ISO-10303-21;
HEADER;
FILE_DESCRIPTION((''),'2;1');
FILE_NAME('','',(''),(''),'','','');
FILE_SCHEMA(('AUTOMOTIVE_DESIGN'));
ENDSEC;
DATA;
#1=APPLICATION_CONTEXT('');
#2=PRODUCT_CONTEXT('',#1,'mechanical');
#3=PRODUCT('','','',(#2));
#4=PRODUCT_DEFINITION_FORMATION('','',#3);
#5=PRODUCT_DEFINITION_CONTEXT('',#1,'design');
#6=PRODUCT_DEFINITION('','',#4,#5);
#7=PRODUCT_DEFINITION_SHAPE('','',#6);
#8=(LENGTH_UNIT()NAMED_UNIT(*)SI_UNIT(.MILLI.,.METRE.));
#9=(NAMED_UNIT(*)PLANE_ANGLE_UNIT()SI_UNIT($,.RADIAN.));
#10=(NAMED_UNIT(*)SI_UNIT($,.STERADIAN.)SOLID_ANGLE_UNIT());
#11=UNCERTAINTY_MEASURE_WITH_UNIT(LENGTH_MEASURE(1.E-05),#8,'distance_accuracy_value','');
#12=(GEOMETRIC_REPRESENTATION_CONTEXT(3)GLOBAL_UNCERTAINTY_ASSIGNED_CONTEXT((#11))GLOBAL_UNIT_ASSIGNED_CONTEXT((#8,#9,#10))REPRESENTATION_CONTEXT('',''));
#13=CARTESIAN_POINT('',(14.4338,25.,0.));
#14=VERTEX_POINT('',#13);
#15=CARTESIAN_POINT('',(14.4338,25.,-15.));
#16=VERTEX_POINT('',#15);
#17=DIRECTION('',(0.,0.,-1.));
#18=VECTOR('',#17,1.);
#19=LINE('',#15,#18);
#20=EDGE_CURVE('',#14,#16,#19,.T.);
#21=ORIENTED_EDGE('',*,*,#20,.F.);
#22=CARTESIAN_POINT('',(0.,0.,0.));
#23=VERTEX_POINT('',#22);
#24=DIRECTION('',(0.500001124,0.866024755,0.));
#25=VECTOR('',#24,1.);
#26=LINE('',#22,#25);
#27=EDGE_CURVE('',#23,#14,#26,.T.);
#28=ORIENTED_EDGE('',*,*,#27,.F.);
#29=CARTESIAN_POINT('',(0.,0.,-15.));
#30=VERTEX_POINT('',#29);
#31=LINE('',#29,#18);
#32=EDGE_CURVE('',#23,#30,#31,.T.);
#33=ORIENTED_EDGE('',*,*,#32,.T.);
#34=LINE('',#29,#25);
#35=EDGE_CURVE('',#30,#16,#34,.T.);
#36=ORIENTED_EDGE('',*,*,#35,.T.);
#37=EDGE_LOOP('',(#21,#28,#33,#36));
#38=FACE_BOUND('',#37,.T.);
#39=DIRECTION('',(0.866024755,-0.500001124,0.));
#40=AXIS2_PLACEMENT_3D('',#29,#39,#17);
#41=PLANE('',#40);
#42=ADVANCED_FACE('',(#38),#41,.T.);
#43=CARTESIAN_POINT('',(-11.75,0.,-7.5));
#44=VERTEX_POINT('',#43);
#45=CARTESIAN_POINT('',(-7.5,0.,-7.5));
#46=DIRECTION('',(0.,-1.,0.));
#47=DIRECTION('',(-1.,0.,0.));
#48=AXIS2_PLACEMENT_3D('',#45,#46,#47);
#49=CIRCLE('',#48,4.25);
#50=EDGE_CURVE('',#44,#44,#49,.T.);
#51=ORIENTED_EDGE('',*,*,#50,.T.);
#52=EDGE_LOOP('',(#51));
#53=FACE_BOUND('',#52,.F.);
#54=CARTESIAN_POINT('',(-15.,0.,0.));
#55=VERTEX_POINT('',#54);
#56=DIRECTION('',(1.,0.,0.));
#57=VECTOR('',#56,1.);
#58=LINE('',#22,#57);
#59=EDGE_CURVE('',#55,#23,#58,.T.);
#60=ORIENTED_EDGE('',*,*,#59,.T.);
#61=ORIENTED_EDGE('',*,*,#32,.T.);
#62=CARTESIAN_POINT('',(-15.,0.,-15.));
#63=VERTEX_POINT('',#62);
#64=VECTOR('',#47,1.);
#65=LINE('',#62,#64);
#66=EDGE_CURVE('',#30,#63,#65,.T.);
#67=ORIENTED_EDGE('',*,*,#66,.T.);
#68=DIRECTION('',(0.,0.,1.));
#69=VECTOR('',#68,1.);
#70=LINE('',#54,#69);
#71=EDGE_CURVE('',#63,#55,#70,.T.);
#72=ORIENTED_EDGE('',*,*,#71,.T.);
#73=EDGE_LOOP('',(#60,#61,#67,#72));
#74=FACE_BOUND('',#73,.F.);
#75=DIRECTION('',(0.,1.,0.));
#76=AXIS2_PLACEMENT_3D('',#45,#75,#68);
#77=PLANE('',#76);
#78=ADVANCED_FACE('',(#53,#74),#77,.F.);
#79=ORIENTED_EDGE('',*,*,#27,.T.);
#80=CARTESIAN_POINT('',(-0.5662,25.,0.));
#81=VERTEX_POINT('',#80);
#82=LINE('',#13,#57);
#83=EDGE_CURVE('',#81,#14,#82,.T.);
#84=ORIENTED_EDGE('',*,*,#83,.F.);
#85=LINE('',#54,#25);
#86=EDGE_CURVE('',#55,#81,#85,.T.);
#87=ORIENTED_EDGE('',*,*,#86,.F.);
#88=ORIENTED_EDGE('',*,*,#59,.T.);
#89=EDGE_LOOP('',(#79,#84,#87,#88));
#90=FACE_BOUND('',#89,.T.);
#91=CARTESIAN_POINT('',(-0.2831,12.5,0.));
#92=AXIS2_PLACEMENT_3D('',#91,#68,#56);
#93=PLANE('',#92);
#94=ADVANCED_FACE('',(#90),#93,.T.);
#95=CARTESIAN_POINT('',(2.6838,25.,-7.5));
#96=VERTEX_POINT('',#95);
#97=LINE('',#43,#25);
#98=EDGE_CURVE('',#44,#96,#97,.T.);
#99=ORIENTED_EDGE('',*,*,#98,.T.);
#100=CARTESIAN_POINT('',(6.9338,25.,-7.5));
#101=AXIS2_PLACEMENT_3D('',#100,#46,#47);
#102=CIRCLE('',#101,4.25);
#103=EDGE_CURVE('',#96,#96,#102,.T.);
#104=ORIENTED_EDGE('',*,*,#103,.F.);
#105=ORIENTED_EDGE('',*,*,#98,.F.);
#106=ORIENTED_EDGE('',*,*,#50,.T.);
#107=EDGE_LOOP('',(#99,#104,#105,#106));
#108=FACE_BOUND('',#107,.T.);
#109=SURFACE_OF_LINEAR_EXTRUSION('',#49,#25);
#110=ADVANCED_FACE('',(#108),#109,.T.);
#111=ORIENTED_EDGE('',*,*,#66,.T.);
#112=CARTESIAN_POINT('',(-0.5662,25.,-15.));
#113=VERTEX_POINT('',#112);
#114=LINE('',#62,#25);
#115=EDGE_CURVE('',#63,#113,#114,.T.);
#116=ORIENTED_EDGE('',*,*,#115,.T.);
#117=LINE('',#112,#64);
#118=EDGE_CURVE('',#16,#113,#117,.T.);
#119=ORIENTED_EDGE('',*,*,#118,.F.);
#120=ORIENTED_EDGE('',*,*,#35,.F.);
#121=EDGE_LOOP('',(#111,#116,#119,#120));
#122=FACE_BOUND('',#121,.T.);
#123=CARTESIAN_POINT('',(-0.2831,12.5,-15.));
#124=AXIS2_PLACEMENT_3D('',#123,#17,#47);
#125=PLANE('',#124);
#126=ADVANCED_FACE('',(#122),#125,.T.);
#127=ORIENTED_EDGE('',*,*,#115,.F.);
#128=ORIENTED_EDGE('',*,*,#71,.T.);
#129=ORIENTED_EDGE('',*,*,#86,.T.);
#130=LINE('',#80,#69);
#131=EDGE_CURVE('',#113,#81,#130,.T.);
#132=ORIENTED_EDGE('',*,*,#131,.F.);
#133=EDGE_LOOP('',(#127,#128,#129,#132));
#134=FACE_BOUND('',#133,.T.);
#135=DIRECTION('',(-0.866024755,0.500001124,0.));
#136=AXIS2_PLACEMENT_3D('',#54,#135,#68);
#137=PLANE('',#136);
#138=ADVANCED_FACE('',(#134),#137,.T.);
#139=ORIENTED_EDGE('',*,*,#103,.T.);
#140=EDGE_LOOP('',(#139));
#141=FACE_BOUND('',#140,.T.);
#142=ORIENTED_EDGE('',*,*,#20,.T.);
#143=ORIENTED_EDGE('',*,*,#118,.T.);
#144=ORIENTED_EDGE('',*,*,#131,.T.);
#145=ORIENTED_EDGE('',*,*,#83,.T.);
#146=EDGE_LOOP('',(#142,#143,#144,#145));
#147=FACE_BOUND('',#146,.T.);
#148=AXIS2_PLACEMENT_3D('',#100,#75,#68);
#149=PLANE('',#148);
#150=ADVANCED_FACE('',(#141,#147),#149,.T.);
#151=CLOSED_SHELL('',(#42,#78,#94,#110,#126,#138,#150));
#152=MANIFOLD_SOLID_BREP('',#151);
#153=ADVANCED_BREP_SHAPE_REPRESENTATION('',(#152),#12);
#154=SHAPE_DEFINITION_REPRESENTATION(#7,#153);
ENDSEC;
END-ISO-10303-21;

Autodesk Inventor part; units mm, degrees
ref_plane "YZ Plane" through (0, 0, 0) normal (1, 0, 0) x (0, 1, 0)
ref_plane "XZ Plane" through (0, 0, 0) normal (0, 1, 0) x (-1, 0, 0)
ref_plane "XY Plane" through (0, 0, 0) normal (0, 0, 1) x (1, 0, 0)
sketch "Sketch1" plane through (0, 0, 0) normal (0, 1, 0) x (-1, 0, 0)
  line L0 (0, 0) -> (15, 0)
  line L1 (15, 0) -> (15, -15)
  line L2 (15, -15) -> (0, -15)
  line L3 (0, -15) -> (0, 0)
  circle A0 centre (7.5, -7.5) radius 4.25
  dimension "soporte_largo" = 15
  dimension "soporte_ancho" = 15
  dimension "soporte_hueco_diametro" = 8.5
  dimension "soporte_hueco_pos_ancho" = 7.5
  dimension "soporte_hueco_pos_largo" = 7.5
sketch "Sketch2" plane through (0, 0, 0) normal (0, 0, 1) x (1, 0, 0)
  line L0 (0, 0) -> (14.4338, 25)
  line L1 (0, 0) -> (28.8675, 0) construction
  dimension "soporte_inclinacion" = 60
  dimension "soporte_alterura" = 25
sweep "Sweep1" add profiles "Sketch1" path "Sketch2"
equation "\"soporte_hueco_pos_ancho\" = 0.5 * soporte_ancho"
equation "\"soporte_hueco_pos_largo\" = 0.5 * soporte_largo"
equation "\"tol1\" = 0.1"
equation "\"tol2\" = 0.2"
equation "\"tol3\" = 0.3"
equation "\"tol4\" = 0.4"
equation "\"tol5\" = 0.5"
equation "\"tol6\" = 0.6"
equation "\"tol7\" = 0.7"
equation "\"tol8\" = 0.8"
equation "\"tol9\" = 0.9"
equation "\"tol\" = 7"
properties part number "TestSoporte"
